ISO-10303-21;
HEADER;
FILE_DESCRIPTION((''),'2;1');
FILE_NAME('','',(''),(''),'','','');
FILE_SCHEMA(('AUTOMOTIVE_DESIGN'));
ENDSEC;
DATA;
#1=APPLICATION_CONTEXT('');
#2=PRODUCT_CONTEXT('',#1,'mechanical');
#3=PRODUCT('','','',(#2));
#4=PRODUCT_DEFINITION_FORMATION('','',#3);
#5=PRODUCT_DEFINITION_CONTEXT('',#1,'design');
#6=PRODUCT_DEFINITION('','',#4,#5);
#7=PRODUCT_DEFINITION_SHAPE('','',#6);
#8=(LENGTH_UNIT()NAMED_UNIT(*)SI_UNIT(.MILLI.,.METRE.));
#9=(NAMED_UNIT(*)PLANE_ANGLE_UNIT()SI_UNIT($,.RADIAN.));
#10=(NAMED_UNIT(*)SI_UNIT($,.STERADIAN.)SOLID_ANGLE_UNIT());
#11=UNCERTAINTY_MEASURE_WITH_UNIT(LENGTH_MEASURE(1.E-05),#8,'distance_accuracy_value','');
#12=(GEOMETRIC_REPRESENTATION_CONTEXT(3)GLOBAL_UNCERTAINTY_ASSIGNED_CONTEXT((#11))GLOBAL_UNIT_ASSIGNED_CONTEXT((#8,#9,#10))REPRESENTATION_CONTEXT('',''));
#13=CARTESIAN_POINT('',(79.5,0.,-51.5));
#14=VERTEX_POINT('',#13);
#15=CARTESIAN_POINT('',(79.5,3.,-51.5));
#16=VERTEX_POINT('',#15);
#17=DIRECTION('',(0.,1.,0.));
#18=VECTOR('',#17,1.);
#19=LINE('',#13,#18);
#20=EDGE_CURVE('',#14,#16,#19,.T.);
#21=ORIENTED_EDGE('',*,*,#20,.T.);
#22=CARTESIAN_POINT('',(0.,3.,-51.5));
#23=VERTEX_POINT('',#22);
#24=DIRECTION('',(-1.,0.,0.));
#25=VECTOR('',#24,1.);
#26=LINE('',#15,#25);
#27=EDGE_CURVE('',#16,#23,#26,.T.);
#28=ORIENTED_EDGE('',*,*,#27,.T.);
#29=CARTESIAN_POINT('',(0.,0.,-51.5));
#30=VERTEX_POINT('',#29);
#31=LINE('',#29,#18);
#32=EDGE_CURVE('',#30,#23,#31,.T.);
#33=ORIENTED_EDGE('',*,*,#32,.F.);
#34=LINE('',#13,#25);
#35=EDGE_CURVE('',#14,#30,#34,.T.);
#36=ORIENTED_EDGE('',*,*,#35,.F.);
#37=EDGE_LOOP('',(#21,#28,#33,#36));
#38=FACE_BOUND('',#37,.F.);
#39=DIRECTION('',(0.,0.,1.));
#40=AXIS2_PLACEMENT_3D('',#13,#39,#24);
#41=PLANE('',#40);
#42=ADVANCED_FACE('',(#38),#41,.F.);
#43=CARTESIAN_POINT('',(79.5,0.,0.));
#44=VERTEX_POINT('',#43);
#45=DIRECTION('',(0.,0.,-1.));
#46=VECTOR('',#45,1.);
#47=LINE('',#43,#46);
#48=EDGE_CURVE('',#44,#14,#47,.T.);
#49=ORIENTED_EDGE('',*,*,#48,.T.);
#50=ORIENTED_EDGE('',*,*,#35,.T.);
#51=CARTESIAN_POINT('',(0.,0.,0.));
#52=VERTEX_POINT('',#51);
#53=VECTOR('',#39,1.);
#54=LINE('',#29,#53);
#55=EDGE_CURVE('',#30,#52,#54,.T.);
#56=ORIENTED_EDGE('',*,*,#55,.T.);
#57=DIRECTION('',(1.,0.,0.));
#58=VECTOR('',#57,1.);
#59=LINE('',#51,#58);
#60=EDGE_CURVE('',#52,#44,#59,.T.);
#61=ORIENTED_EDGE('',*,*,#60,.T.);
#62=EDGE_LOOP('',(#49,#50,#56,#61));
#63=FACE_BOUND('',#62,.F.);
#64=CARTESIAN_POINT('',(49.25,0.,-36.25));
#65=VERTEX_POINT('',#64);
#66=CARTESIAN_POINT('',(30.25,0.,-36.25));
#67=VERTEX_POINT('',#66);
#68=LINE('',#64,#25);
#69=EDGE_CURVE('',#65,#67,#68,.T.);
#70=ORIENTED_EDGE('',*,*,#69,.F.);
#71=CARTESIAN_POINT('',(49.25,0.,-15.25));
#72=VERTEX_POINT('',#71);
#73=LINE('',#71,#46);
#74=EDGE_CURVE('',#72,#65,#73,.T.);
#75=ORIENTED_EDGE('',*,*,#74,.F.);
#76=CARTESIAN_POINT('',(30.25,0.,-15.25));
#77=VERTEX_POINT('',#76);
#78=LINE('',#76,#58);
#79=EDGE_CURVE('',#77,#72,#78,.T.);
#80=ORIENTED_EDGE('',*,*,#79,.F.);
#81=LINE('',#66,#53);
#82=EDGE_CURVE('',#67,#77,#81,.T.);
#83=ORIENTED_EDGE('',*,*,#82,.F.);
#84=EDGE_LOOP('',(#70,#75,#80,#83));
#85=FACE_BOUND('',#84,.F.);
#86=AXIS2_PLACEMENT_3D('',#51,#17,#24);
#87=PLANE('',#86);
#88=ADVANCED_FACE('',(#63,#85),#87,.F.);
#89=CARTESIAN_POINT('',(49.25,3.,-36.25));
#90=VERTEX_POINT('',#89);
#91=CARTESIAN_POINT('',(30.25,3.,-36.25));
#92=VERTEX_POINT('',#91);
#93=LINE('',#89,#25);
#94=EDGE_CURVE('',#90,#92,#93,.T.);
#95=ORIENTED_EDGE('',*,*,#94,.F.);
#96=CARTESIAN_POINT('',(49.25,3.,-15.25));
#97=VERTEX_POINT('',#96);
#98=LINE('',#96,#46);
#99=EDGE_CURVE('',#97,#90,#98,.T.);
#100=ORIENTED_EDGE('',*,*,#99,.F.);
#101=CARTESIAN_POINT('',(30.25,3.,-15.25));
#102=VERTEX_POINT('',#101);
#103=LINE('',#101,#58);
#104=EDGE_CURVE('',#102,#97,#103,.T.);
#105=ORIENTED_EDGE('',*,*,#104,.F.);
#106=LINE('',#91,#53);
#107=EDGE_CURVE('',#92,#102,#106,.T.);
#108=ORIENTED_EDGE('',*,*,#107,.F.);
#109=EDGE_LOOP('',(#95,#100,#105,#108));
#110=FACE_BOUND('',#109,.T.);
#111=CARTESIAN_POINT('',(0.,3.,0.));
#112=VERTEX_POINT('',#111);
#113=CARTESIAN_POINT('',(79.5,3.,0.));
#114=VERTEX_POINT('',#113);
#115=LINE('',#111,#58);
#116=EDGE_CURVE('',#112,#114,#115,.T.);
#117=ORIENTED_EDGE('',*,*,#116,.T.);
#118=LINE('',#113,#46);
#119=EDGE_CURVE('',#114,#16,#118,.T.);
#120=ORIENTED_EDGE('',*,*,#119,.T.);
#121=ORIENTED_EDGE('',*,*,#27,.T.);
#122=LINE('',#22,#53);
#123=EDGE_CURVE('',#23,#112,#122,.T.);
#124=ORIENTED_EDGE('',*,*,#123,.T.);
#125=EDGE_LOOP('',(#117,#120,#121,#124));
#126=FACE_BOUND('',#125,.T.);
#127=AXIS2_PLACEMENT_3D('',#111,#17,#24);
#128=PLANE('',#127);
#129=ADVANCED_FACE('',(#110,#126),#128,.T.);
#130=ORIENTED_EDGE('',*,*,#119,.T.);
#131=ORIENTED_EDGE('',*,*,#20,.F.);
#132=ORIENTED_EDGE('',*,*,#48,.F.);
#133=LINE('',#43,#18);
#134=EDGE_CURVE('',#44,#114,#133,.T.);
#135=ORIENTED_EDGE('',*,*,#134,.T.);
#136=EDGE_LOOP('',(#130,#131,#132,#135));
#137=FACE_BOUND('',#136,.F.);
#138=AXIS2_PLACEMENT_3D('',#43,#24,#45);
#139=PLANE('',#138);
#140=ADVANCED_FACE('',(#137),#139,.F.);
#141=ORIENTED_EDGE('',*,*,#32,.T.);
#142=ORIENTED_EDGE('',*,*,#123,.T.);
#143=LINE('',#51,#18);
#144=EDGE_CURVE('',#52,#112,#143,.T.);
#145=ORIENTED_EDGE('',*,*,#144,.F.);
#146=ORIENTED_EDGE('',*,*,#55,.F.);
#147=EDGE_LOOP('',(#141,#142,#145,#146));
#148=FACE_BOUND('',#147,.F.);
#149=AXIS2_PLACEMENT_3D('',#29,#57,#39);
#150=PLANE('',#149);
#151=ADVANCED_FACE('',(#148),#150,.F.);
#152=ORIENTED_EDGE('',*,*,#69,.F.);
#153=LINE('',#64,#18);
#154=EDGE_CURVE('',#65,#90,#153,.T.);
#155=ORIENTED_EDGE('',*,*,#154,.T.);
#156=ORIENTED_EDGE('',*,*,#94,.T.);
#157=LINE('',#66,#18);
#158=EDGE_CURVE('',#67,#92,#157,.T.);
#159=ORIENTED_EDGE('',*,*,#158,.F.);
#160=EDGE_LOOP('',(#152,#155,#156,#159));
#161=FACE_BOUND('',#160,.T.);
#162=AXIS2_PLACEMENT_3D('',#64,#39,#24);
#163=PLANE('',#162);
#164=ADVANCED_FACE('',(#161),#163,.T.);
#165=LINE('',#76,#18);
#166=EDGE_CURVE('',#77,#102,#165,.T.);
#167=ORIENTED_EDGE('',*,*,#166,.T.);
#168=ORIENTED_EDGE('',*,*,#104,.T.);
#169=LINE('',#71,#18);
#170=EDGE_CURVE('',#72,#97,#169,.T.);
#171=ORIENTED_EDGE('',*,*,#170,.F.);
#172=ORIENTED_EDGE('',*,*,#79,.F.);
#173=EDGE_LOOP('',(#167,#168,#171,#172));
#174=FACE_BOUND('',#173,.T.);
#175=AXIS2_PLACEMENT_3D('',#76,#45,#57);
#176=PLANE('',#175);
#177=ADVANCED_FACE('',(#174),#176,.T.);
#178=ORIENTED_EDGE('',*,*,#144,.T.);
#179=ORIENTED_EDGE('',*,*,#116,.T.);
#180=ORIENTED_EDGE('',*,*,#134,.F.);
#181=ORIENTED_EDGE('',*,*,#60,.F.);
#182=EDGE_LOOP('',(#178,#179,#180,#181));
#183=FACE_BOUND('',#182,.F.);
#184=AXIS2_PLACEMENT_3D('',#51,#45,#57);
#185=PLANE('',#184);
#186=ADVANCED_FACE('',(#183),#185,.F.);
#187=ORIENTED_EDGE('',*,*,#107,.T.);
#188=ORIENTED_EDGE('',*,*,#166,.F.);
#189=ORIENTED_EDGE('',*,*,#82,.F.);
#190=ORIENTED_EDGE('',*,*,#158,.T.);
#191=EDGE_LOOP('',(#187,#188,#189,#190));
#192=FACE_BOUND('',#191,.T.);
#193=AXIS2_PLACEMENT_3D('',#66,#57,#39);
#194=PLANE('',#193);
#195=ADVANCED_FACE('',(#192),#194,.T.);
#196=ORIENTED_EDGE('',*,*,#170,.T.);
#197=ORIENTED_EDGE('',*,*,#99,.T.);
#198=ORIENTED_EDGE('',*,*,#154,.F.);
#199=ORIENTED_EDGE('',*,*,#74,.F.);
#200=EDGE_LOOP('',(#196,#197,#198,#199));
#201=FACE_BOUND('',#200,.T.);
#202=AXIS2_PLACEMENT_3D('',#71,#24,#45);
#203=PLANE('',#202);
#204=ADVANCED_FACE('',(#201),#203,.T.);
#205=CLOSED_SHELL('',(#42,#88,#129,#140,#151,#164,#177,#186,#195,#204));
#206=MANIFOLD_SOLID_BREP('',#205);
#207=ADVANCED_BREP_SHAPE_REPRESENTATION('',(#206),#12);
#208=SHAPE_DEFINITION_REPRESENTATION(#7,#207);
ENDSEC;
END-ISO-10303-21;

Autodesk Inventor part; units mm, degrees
ref_plane "YZ Plane" through (0, 0, 0) normal (1, 0, 0) x (0, 1, 0)
ref_plane "XZ Plane" through (0, 0, 0) normal (0, 1, 0) x (-1, 0, 0)
ref_plane "XY Plane" through (0, 0, 0) normal (0, 0, 1) x (1, 0, 0)
sketch "Skizze1" plane through (0, 0, 0) normal (0, 1, 0) x (-1, 0, 0)
  line L0 (0, 0) -> (-79.5, 0)
  line L1 (-79.5, 0) -> (-79.5, -51.5)
  line L2 (-79.5, -51.5) -> (0, -51.5)
  line L3 (0, -51.5) -> (0, 0)
  line L4 (-30.25, -15.25) -> (-49.25, -15.25)
  line L5 (-49.25, -15.25) -> (-49.25, -36.25)
  line L6 (-49.25, -36.25) -> (-30.25, -36.25)
  line L7 (-30.25, -36.25) -> (-30.25, -15.25)
  point P0 (-39.75, -36.25)
  point P1 (-39.75, -51.5)
  point P2 (-49.25, -25.75)
  point P3 (-79.5, -25.75)
  dimension "d0" = 79.5
  dimension "d1" = 51.5
  dimension "d4" = 21
  dimension "d5" = 19
extrude "Extrusion1" add sketch "Skizze1" along normal blind 3
properties part number "wood_front"
